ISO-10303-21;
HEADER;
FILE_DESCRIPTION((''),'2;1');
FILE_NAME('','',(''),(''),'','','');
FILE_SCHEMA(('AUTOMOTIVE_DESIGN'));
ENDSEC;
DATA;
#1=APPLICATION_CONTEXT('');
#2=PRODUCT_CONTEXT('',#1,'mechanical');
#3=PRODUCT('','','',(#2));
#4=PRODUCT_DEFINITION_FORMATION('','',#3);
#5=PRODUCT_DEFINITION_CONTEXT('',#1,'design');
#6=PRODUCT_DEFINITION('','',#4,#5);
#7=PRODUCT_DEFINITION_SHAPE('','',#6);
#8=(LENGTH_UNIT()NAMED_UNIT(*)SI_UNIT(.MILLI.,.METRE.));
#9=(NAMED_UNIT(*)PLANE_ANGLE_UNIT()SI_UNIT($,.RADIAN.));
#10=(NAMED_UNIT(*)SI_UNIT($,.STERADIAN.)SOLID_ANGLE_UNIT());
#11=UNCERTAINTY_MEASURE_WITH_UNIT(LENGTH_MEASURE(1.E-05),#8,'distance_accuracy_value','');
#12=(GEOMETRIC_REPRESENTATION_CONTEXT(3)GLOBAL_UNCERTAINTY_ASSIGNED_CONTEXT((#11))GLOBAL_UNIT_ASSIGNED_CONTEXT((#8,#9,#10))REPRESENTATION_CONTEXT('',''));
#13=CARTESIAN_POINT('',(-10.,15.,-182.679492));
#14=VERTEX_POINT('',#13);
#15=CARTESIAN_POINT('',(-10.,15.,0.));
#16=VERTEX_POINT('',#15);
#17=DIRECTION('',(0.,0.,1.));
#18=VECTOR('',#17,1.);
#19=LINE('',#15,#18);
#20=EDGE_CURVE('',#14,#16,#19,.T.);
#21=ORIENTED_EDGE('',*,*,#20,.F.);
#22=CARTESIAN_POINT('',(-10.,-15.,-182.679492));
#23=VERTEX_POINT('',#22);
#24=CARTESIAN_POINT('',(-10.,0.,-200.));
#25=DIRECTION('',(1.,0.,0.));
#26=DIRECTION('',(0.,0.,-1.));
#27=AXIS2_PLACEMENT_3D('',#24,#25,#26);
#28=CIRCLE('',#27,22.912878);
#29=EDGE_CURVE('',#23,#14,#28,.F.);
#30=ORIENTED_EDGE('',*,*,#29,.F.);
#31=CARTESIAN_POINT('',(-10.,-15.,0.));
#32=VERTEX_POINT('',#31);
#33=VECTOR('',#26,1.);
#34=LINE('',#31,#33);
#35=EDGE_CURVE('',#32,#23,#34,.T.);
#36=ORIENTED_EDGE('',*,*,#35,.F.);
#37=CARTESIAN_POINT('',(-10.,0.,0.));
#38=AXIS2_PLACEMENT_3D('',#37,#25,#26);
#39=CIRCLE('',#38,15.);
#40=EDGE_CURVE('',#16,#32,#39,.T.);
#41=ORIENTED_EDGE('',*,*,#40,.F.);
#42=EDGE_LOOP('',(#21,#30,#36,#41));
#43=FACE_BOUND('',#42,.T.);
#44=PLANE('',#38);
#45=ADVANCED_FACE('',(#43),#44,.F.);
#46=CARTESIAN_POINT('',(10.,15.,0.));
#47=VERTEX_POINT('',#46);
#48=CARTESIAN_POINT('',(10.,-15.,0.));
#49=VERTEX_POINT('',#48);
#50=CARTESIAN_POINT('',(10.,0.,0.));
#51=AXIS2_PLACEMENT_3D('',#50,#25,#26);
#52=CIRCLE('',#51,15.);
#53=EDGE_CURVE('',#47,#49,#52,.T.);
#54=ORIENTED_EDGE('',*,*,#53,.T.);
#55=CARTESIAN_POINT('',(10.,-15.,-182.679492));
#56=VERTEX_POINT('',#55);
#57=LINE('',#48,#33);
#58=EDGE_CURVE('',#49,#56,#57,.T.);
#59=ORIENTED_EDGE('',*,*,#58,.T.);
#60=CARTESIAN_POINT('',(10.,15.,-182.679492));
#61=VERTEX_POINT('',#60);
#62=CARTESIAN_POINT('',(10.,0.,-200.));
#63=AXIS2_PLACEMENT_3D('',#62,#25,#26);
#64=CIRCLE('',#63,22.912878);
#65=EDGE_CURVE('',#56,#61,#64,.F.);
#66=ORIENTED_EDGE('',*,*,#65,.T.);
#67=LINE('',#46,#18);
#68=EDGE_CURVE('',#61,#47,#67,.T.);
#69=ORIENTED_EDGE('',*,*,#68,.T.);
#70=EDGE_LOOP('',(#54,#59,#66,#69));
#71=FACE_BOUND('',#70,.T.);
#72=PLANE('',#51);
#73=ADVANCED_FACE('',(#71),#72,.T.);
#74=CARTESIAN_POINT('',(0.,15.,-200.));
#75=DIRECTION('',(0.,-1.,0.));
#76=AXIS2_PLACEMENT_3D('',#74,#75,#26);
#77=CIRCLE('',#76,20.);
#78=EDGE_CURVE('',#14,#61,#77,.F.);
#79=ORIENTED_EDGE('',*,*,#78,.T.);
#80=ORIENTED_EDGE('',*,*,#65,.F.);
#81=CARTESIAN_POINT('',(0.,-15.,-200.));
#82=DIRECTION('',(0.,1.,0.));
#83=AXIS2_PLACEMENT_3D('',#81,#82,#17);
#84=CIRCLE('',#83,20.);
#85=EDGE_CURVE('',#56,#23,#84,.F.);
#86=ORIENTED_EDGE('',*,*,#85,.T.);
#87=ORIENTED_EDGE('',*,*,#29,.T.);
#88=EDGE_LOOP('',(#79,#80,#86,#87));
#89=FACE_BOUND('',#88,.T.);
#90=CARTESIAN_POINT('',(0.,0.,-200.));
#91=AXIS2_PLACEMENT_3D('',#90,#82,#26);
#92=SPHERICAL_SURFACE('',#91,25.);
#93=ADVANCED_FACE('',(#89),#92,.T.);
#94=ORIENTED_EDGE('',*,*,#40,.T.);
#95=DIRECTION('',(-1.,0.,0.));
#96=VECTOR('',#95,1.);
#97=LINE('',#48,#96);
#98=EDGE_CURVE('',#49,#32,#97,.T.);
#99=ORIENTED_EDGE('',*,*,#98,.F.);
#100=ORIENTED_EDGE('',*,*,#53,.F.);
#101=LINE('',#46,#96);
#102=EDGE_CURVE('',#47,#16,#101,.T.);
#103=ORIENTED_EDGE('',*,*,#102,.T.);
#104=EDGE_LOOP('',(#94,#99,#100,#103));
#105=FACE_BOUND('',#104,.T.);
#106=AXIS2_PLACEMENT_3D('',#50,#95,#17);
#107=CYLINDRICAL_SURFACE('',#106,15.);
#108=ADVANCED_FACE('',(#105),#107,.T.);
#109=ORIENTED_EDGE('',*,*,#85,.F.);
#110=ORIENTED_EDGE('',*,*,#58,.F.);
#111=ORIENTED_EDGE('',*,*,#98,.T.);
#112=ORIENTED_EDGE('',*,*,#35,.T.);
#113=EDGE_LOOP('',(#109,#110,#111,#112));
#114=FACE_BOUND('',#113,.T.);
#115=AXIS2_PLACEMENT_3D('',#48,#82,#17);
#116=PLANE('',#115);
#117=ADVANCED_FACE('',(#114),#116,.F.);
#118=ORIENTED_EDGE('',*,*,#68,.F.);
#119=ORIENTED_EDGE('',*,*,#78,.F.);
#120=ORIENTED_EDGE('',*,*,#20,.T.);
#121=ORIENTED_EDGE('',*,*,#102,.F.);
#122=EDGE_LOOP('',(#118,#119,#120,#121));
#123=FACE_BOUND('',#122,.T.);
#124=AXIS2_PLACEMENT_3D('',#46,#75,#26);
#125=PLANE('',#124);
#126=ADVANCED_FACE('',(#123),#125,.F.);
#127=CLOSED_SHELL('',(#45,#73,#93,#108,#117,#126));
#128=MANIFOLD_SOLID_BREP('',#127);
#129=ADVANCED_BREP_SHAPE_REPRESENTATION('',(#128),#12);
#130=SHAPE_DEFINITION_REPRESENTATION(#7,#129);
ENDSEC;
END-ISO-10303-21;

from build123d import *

# Parameters (mm, degrees)
EXTRUDE_1_DEPTH = 10


with BuildPart() as part:
    # 草图1 → 凸台-拉伸1 (new body, symmetric)
    with BuildSketch(Plane(origin=(0, 0, 0), x_dir=(0, 0, -1), z_dir=(1, 0, 0))):
        with BuildLine():
            Line((0, 15), (200, 15))
            ThreePointArc((200, 15), (215, 0), (200, -15))
            Line((200, -15), (0, -15))
            ThreePointArc((0, -15), (-15, 0), (0, 15))
        make_face()
    extrude(amount=EXTRUDE_1_DEPTH, both=True)

    # 草图2 → 旋转1 (revolve)
    with BuildSketch(Plane(origin=(0, 0, 0), x_dir=(0, 0, -1), z_dir=(1, 0, 0))):
        with BuildLine():
            Line((200, 25), (200, -25))
            ThreePointArc((200, -25), (225, 0), (200, 25))
        make_face()
    revolve(axis=Axis((0, 25, -200), (0, -1, 0)))


solid = part.part
